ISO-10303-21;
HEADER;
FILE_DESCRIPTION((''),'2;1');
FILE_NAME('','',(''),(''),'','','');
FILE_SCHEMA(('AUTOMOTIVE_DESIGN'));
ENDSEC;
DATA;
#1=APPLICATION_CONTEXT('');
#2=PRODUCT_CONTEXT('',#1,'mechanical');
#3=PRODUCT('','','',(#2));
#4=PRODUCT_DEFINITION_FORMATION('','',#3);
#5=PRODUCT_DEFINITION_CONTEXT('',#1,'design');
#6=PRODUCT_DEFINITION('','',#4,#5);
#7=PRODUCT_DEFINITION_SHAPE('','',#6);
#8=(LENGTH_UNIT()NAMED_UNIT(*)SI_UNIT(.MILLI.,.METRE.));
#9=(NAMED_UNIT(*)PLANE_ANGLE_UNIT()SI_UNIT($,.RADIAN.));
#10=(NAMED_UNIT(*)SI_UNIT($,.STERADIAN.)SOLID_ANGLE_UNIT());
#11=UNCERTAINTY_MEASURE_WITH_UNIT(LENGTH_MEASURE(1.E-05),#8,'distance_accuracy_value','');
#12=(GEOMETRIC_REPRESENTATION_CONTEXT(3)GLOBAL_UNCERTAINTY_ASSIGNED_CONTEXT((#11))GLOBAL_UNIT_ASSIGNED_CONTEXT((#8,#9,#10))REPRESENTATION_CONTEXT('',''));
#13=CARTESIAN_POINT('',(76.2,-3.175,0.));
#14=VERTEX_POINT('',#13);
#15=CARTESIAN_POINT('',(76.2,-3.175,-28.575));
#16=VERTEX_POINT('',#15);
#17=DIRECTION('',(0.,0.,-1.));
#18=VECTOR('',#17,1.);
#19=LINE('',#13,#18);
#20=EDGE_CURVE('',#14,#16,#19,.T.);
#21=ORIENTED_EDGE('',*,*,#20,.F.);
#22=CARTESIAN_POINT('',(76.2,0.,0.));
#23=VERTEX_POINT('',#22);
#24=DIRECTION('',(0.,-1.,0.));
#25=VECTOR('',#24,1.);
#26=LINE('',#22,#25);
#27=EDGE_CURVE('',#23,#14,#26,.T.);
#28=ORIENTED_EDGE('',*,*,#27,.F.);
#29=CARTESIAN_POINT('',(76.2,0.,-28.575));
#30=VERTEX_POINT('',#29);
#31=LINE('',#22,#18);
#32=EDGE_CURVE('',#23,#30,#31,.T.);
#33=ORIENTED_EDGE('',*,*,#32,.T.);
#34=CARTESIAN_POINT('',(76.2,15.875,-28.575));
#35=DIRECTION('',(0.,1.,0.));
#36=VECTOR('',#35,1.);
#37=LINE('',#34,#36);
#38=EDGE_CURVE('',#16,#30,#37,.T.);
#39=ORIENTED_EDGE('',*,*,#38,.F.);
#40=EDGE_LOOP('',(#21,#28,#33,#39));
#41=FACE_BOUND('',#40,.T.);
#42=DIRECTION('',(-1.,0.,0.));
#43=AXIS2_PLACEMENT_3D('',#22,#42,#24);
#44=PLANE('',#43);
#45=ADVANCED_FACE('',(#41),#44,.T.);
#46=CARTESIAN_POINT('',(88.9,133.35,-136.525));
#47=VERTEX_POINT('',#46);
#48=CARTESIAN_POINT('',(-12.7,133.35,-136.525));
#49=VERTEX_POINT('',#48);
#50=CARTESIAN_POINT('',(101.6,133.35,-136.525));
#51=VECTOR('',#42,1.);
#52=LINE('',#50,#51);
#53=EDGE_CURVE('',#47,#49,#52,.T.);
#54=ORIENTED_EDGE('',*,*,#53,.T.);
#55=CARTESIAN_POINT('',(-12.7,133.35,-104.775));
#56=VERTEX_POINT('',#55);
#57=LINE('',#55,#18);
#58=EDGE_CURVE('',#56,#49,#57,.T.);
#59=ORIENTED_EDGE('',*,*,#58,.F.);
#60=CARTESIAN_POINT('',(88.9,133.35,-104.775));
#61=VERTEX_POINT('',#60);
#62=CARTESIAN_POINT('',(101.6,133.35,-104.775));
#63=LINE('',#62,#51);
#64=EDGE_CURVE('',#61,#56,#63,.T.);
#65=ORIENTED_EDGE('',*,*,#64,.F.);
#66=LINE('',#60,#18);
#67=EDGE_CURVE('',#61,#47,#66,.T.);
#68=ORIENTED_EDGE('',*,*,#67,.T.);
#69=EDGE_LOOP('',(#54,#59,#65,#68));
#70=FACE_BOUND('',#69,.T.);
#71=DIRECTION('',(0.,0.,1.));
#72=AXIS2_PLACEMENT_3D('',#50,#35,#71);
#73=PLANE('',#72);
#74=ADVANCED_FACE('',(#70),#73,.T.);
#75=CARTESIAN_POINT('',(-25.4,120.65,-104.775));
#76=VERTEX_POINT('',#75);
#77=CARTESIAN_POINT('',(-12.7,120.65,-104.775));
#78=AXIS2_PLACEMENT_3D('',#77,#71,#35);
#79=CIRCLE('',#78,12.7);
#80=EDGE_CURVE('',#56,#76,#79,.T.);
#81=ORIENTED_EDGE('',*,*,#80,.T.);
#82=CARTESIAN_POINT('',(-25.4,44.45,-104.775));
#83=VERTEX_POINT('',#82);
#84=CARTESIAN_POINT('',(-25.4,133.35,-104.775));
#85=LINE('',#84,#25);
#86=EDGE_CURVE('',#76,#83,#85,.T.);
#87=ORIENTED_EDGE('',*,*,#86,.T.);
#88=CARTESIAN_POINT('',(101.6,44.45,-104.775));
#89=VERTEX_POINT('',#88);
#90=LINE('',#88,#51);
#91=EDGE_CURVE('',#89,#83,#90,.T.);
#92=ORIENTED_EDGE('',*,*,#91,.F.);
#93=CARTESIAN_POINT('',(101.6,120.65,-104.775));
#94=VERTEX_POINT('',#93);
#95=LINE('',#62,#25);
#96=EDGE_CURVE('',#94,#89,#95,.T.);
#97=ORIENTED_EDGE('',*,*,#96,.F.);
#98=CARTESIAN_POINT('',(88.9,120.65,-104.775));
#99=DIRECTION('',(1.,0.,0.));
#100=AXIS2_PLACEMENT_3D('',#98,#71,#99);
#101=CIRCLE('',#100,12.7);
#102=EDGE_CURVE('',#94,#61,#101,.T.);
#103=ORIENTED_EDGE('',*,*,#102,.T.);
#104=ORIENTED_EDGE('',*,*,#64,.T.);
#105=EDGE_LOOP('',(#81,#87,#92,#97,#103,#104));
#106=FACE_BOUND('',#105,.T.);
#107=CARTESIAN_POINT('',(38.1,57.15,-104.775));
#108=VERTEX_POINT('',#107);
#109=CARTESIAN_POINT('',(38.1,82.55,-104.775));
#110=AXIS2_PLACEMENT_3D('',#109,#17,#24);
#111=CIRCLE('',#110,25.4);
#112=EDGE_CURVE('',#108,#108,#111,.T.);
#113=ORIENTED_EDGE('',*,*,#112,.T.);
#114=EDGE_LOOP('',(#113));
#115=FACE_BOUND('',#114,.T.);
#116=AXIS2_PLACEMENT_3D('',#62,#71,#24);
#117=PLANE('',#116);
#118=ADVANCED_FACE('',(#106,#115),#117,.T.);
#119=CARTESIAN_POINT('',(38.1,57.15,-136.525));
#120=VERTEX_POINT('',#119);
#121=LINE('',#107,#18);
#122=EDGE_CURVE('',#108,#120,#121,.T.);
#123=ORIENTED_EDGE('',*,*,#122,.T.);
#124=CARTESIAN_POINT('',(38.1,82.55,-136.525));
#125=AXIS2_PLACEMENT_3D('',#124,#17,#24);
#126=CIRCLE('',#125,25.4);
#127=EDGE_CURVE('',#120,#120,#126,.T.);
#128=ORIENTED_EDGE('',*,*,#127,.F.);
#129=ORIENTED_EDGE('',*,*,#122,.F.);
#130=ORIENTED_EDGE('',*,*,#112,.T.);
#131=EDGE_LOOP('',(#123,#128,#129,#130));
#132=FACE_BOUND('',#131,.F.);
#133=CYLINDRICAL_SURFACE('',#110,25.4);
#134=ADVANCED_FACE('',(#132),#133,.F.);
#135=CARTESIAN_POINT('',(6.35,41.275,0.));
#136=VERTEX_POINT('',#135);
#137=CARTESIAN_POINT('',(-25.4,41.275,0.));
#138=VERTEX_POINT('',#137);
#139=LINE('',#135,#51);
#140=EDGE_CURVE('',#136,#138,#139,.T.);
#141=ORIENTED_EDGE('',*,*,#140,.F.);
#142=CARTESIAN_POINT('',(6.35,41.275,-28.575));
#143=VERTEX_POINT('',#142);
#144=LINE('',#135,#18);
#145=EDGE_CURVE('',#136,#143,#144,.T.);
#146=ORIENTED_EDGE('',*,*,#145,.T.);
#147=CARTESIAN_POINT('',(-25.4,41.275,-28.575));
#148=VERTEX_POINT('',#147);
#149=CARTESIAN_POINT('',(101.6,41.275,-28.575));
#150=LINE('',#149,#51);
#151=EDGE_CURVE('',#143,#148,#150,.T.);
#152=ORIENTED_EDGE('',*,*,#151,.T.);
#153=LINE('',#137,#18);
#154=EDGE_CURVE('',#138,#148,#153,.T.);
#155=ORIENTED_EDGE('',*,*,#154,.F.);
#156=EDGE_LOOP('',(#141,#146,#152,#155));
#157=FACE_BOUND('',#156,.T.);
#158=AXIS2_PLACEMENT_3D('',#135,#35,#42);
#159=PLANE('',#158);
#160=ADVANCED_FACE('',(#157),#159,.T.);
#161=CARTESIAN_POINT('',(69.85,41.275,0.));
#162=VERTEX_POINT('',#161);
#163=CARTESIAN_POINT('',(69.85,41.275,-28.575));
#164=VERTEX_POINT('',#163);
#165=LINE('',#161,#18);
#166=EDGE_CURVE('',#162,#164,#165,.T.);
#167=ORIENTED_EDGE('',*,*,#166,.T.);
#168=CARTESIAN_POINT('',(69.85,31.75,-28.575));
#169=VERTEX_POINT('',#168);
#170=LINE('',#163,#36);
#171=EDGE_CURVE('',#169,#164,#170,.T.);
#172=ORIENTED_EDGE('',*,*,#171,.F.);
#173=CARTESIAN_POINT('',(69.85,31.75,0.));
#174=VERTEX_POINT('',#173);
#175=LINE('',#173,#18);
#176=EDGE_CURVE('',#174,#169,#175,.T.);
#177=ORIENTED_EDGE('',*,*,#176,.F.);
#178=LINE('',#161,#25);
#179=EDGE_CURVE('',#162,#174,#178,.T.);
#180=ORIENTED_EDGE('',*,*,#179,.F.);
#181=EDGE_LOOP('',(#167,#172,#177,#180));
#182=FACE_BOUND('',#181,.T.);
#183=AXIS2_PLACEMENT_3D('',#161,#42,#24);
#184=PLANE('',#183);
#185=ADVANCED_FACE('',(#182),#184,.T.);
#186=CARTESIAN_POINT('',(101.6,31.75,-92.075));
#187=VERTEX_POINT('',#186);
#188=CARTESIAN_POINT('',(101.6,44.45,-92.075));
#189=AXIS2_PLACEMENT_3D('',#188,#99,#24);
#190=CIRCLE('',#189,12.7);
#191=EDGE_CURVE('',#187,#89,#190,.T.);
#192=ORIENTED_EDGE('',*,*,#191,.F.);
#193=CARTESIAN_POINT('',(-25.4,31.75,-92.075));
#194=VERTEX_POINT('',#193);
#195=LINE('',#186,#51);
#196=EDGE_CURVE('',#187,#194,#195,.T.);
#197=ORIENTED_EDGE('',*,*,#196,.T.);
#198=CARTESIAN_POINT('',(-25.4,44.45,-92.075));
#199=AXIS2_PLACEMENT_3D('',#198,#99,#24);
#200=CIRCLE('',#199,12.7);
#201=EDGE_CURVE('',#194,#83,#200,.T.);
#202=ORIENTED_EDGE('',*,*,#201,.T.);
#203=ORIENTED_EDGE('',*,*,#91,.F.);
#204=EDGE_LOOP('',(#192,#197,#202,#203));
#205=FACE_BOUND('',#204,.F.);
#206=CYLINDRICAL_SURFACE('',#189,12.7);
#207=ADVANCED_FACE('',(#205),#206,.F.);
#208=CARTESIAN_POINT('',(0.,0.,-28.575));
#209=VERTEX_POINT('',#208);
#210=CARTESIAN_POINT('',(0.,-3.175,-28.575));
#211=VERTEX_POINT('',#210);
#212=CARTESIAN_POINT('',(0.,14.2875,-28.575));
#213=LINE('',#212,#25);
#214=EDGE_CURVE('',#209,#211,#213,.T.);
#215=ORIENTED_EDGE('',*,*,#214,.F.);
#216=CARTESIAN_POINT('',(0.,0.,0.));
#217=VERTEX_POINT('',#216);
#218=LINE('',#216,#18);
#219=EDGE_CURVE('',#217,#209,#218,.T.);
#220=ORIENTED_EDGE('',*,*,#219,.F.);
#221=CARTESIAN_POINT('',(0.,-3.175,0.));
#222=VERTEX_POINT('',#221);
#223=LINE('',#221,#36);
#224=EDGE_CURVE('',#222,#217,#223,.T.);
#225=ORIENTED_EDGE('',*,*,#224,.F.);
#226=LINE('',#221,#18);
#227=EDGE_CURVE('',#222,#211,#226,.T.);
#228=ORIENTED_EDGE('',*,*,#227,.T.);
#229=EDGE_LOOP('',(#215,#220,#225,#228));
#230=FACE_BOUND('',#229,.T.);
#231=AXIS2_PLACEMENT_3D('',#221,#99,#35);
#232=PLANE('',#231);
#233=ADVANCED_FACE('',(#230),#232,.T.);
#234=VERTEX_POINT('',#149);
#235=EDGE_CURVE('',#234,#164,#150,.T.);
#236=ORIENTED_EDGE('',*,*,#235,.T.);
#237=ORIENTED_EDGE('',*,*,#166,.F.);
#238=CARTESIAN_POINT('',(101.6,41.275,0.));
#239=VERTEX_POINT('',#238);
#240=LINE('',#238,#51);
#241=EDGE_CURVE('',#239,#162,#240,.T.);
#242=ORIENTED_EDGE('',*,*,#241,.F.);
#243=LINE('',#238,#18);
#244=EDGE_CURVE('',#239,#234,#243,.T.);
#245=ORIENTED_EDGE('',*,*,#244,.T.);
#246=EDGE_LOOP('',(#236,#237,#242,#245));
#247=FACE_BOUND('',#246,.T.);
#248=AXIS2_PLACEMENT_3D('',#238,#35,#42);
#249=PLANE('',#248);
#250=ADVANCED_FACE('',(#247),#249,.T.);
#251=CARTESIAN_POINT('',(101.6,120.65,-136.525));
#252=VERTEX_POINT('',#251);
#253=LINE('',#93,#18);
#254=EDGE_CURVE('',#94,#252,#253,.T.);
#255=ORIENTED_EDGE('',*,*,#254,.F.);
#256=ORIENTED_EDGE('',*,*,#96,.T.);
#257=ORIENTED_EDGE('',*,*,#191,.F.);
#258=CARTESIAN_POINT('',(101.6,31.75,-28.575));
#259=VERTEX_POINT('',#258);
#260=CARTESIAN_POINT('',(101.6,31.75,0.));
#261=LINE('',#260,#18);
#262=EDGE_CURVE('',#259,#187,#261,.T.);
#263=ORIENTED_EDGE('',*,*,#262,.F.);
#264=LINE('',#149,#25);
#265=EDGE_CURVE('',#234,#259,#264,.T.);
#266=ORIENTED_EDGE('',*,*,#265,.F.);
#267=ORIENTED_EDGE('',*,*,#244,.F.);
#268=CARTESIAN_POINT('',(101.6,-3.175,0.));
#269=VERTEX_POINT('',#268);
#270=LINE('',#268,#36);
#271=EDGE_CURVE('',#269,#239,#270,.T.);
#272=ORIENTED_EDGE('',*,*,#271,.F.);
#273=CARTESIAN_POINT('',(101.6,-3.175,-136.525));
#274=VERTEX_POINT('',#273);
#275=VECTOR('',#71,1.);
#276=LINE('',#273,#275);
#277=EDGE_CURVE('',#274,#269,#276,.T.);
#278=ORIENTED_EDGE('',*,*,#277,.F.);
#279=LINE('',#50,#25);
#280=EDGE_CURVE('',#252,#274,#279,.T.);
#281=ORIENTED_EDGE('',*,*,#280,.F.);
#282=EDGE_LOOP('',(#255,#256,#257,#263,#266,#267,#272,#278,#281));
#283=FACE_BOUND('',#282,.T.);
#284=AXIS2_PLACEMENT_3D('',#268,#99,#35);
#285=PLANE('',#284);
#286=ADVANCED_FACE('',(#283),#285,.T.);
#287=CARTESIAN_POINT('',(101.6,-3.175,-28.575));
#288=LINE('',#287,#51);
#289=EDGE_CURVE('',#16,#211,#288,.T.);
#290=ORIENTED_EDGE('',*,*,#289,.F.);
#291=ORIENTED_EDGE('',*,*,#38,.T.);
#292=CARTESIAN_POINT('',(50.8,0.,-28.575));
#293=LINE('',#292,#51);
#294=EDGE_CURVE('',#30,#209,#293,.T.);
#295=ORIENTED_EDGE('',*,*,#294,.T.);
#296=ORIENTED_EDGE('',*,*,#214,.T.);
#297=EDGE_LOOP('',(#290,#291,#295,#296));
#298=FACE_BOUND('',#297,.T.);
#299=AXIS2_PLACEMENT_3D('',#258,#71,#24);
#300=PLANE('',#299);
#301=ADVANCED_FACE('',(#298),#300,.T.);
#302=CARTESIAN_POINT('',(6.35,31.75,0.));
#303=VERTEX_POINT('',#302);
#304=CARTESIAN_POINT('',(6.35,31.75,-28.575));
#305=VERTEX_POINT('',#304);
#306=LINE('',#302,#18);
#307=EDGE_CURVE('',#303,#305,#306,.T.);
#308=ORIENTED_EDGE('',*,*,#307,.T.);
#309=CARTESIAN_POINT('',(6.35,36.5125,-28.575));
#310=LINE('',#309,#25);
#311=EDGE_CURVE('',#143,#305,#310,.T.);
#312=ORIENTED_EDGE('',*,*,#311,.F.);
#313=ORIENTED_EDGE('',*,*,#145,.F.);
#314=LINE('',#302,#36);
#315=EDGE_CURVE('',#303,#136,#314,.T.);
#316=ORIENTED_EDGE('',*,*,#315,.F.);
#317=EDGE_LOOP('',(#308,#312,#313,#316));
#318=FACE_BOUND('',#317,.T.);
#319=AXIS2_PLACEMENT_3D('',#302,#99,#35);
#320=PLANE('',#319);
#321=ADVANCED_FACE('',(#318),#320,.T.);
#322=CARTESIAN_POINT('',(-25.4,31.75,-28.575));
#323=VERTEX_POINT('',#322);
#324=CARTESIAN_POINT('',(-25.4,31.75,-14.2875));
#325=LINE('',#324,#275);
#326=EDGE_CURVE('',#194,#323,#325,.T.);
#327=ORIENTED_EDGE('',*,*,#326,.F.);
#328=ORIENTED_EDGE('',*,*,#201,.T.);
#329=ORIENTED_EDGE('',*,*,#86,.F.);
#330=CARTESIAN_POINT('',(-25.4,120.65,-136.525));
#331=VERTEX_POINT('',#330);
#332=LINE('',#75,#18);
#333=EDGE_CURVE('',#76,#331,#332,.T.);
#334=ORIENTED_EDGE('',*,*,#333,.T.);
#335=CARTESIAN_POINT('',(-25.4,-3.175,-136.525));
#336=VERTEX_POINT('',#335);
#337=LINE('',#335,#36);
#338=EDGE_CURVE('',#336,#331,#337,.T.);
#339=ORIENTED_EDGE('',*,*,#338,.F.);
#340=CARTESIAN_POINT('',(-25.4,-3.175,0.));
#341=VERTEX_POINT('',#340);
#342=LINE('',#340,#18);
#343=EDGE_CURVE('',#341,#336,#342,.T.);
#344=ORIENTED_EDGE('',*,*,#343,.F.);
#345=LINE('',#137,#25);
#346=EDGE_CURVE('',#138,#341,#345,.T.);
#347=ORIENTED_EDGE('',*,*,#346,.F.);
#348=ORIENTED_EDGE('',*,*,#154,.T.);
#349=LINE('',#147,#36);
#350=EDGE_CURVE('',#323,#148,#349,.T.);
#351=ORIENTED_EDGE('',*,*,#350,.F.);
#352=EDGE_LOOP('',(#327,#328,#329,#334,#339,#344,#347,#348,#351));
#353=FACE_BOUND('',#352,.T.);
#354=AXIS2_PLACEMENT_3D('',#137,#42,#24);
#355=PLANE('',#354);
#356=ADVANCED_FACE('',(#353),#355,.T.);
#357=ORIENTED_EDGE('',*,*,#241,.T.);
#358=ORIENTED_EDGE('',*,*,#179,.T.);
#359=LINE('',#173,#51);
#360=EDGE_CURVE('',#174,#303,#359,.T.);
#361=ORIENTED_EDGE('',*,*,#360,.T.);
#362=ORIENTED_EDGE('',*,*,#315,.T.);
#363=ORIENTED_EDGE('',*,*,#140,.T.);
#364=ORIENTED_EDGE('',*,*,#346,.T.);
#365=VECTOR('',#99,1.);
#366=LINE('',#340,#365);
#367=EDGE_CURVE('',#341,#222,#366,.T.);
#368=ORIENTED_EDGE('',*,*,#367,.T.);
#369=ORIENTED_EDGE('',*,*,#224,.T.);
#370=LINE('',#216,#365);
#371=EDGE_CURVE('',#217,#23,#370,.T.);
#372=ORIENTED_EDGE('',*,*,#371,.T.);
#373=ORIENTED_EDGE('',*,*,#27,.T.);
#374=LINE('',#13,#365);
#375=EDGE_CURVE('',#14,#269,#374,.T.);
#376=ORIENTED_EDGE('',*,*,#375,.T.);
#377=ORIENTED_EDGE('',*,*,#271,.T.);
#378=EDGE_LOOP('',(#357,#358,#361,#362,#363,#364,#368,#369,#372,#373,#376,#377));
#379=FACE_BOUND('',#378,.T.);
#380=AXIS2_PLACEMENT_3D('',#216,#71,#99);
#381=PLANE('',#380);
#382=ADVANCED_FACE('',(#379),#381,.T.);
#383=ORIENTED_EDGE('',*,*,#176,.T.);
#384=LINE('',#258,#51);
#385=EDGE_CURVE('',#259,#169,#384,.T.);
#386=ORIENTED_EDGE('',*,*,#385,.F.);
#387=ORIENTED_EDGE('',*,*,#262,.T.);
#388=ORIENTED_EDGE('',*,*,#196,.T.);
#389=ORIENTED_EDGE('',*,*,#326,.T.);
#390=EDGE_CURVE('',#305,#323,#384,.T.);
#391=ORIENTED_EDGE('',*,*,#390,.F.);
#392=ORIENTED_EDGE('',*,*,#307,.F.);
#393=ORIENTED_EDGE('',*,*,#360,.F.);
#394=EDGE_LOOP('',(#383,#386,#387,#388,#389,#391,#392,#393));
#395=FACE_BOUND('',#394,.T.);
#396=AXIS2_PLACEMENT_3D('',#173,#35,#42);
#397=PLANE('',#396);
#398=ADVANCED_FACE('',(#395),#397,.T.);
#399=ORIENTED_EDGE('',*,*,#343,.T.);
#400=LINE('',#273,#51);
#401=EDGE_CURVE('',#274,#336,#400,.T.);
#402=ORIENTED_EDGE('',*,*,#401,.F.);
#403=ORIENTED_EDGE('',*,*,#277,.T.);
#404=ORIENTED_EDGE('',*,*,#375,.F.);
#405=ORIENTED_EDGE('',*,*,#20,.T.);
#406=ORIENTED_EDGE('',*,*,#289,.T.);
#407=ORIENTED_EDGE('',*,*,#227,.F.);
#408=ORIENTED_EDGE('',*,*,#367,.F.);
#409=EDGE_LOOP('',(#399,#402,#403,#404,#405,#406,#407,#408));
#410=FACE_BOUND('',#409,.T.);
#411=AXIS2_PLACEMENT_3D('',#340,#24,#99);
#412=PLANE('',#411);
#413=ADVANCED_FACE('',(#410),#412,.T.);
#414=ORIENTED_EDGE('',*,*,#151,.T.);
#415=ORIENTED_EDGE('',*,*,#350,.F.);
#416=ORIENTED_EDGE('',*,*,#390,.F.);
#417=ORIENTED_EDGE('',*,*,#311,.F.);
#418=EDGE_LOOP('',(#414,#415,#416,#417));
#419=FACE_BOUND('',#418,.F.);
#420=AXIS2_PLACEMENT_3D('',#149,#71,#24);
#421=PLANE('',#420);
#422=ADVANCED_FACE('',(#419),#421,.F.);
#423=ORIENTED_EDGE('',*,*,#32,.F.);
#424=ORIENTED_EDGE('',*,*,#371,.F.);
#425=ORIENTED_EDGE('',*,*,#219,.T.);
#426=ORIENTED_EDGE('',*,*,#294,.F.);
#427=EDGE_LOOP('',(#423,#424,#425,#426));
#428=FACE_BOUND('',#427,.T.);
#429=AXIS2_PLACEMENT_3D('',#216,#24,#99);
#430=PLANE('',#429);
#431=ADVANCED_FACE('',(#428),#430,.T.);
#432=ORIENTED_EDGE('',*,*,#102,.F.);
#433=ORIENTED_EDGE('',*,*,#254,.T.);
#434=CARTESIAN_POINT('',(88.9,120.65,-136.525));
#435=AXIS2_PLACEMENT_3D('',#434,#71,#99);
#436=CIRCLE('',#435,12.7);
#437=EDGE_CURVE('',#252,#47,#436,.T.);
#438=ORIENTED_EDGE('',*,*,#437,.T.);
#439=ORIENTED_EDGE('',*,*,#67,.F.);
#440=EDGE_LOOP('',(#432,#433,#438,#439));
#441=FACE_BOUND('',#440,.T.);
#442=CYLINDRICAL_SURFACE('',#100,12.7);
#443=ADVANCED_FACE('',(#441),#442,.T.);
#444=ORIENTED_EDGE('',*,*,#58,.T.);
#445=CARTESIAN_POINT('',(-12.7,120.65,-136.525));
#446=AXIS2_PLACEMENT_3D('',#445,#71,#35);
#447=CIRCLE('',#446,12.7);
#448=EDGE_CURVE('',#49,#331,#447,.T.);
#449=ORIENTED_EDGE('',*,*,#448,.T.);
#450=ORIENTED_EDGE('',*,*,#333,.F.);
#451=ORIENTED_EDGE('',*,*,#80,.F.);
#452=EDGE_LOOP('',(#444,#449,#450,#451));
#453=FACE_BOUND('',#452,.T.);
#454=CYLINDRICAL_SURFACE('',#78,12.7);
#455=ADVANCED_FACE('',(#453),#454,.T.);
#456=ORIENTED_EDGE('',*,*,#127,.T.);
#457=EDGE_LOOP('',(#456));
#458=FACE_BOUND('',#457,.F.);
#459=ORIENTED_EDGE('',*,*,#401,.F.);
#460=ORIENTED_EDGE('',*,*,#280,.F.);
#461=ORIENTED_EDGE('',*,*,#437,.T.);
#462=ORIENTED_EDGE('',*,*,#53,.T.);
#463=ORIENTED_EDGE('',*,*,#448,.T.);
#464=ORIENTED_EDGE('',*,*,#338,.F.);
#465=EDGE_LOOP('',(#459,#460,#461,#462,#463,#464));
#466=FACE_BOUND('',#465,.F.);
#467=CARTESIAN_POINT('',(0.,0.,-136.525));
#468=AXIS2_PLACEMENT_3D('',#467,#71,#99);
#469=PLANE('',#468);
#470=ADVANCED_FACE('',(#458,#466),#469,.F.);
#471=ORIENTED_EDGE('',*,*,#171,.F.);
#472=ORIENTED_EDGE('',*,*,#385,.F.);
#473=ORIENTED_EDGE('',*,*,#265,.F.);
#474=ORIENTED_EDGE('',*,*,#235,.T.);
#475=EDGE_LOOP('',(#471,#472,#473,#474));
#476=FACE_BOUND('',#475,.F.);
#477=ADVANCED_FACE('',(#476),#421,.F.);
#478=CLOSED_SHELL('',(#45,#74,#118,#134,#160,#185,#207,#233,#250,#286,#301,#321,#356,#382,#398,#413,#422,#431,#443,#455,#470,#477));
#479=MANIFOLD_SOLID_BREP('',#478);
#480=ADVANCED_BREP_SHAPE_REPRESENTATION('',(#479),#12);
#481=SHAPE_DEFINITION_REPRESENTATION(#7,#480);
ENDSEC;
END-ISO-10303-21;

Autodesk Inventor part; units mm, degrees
ref_plane "YZ Plane" through (0, 0, 0) normal (1, 0, 0) x (0, 1, 0)
ref_plane "XZ Plane" through (0, 0, 0) normal (0, 1, 0) x (-1, 0, 0)
ref_plane "XY Plane" through (0, 0, 0) normal (0, 0, 1) x (1, 0, 0)
sketch "Sketch1" plane through (0, 0, 0) normal (0, 0, 1) x (1, 0, 0)
  line L0 (0, 0) -> (76.2, 0)
  line L1 (76.2, 0) -> (76.2, -3.175)
  line L2 (76.2, -3.175) -> (101.6, -3.175)
  line L3 (101.6, -3.175) -> (101.6, 41.275)
  line L4 (101.6, 41.275) -> (69.85, 41.275)
  line L5 (69.85, 41.275) -> (69.85, 31.75)
  line L6 (69.85, 31.75) -> (6.35, 31.75)
  line L7 (6.35, 31.75) -> (6.35, 41.275)
  line L8 (6.35, 41.275) -> (-25.4, 41.275)
  line L9 (-25.4, 41.275) -> (-25.4, -3.175)
  line L10 (-25.4, -3.175) -> (0, -3.175)
  line L11 (0, -3.175) -> (0, 0)
  dimension "d0" = 76.2
  dimension "d2" = 25.4
  dimension "d3" = 44.45
  dimension "d4" = 31.75
  dimension "d5" = 9.525
  dimension "d6" = 63.5
  dimension "d8" = 9.525
  dimension "d9" = 31.75
  dimension "d18" = 25.4
extrude "Extrusion3" add sketch "Sketch1" against normal blind 136.525
sketch "Sketch5" plane through (101.6, -3.175, 0) normal (1, 0, 0) x (0, 0, -1)
  line L0 (0, 44.45) -> (0, 0) projected
  line L1 (0, 44.45) -> (136.525, 44.45) projected
  line L2 (28.575, 44.45) -> (28.575, 34.925)
  line L3 (136.525, 0) -> (136.525, 44.45) projected
  line L4 (136.525, 44.45) -> (28.575, 44.45)
  line L5 (0, 34.925) -> (136.525, 34.925) projected
  line L6 (28.575, 34.925) -> (136.525, 34.925)
  line L7 (136.525, 34.925) -> (136.525, 44.45)
  point P0 (0, 3.175)
  dimension "d21" = 28.575
  dimension "d22" = 9.525
extrude "Extrusion4" cut sketch "Sketch5" against normal through all contours L1 L3 L5 L2
sketch "Sketch6" plane through (101.6, -3.175, 0) normal (1, 0, 0) x (0, 0, -1)
  line L0 (136.525, 0) -> (136.525, 136.525)
  line L1 (136.525, 136.525) -> (104.775, 136.525)
  line L2 (104.775, 136.525) -> (104.775, 0)
  line L3 (0, 0) -> (136.525, 0) projected
  point P0 (0, 3.175)
  dimension "d25" = 136.525
  dimension "d26" = 31.75
extrude "Extrusion5" add sketch "Sketch6" against normal blind 127
sketch "Sketch7" plane through (101.6, -3.175, 0) normal (1, 0, 0) x (0, 0, -1)
  line L0 (28.575, 34.925) -> (28.575, 44.45) projected
  line L1 (28.575, 44.45) -> (28.575, 34.925)
  line L2 (28.575, 34.925) -> (92.075, 34.925)
  line L3 (104.775, 136.525) -> (136.525, 136.525) projected
  line L4 (104.775, 47.625) -> (104.775, 136.525)
  line L5 (104.775, 136.525) -> (136.525, 136.525)
  line L6 (136.525, 136.525) -> (136.525, 0)
  line L7 (136.525, 0) -> (0, 0)
  line L8 (0, 0) -> (0, 44.45)
  line L9 (0, 44.45) -> (28.575, 44.45)
  arc A0 (92.075, 34.925) -> (104.775, 47.625) centre (92.075, 47.625) ccw
  line L10 (28.575, 34.925) -> (28.575, 0)
  line L11 (0, 0) -> (104.775, 0) projected
  point P0 (0, 3.175)
  point P1 (104.775, 34.925)
  point P2 (28.575, 0)
  dimension "d29" = 12.7
extrude "Extrusion6" add sketch "Sketch7" against normal blind 127 contours L2 A0 L4 L3 L6 L7 L10
sketch "Sketch8" plane through (-25.4, 133.35, -104.775) normal (0, 0, 1) x (1, 0, 0)
  line L0 (114.3, 0) -> (12.7, 0)
  line L1 (0, -12.7) -> (0, -88.9)
  line L2 (127, 0) -> (127, -136.525) projected
  arc A0 (127, -12.7) -> (114.3, 0) centre (114.3, -12.7) ccw
  arc A1 (12.7, 0) -> (0, -12.7) centre (12.7, -12.7) ccw
  line L3 (0, -88.9) -> (0, 0) projected
  line L4 (127, 0) -> (0, 0) projected
  line L5 (114.3, 0) -> (127, 0)
  line L6 (127, 0) -> (127, -12.7)
  point P0 (25.4, -133.35)
  point P1 (127, -12.7)
  dimension "d32" = 12.7
  dimension "d33" = 12.7
extrude "Extrusion7" cut sketch "Sketch8" against normal through all contours L4 L2 A0
sketch "Sketch9" plane through (-25.4, 44.45, -104.775) normal (0, 0, 1) x (1, 0, 0)
  line L0 (114.3, 88.9) -> (0, 88.9) projected
  line L1 (12.7, 88.9) -> (69.85, 88.9)
  line L2 (0, 76.2) -> (0, 46.0375)
  line L3 (0, 0) -> (0, 88.9) projected
  arc A0 (12.7, 88.9) -> (0, 76.2) centre (12.7, 76.2) ccw
  line L4 (0, 76.2) -> (0, 88.9)
  point P0 (25.4, -44.45)
  dimension "d36" = 12.7
extrude "Extrusion8" cut sketch "Sketch9" against normal through all
sketch "Sketch10" plane through (-25.4, 44.45, -104.775) normal (0, 0, 1) x (1, 0, 0)
  line L0 (127, 76.2) -> (127, 0) projected
  line L1 (114.3, 88.9) -> (12.7, 88.9) projected
  point P0 (25.4, -44.45)
  point P1 (63.5, 38.1)
  point P2 (63.5, 38.1)
  dimension "d39" = 63.5
  dimension "d40" = 50.8
hole "Hole1" at (38.1, 82.55, -104.775) at (38.1, 82.55, -104.775) direction (0, 0, -1) diameter 50.8 end through all
properties part number "Assignment 2.2 - Tube Mount"
